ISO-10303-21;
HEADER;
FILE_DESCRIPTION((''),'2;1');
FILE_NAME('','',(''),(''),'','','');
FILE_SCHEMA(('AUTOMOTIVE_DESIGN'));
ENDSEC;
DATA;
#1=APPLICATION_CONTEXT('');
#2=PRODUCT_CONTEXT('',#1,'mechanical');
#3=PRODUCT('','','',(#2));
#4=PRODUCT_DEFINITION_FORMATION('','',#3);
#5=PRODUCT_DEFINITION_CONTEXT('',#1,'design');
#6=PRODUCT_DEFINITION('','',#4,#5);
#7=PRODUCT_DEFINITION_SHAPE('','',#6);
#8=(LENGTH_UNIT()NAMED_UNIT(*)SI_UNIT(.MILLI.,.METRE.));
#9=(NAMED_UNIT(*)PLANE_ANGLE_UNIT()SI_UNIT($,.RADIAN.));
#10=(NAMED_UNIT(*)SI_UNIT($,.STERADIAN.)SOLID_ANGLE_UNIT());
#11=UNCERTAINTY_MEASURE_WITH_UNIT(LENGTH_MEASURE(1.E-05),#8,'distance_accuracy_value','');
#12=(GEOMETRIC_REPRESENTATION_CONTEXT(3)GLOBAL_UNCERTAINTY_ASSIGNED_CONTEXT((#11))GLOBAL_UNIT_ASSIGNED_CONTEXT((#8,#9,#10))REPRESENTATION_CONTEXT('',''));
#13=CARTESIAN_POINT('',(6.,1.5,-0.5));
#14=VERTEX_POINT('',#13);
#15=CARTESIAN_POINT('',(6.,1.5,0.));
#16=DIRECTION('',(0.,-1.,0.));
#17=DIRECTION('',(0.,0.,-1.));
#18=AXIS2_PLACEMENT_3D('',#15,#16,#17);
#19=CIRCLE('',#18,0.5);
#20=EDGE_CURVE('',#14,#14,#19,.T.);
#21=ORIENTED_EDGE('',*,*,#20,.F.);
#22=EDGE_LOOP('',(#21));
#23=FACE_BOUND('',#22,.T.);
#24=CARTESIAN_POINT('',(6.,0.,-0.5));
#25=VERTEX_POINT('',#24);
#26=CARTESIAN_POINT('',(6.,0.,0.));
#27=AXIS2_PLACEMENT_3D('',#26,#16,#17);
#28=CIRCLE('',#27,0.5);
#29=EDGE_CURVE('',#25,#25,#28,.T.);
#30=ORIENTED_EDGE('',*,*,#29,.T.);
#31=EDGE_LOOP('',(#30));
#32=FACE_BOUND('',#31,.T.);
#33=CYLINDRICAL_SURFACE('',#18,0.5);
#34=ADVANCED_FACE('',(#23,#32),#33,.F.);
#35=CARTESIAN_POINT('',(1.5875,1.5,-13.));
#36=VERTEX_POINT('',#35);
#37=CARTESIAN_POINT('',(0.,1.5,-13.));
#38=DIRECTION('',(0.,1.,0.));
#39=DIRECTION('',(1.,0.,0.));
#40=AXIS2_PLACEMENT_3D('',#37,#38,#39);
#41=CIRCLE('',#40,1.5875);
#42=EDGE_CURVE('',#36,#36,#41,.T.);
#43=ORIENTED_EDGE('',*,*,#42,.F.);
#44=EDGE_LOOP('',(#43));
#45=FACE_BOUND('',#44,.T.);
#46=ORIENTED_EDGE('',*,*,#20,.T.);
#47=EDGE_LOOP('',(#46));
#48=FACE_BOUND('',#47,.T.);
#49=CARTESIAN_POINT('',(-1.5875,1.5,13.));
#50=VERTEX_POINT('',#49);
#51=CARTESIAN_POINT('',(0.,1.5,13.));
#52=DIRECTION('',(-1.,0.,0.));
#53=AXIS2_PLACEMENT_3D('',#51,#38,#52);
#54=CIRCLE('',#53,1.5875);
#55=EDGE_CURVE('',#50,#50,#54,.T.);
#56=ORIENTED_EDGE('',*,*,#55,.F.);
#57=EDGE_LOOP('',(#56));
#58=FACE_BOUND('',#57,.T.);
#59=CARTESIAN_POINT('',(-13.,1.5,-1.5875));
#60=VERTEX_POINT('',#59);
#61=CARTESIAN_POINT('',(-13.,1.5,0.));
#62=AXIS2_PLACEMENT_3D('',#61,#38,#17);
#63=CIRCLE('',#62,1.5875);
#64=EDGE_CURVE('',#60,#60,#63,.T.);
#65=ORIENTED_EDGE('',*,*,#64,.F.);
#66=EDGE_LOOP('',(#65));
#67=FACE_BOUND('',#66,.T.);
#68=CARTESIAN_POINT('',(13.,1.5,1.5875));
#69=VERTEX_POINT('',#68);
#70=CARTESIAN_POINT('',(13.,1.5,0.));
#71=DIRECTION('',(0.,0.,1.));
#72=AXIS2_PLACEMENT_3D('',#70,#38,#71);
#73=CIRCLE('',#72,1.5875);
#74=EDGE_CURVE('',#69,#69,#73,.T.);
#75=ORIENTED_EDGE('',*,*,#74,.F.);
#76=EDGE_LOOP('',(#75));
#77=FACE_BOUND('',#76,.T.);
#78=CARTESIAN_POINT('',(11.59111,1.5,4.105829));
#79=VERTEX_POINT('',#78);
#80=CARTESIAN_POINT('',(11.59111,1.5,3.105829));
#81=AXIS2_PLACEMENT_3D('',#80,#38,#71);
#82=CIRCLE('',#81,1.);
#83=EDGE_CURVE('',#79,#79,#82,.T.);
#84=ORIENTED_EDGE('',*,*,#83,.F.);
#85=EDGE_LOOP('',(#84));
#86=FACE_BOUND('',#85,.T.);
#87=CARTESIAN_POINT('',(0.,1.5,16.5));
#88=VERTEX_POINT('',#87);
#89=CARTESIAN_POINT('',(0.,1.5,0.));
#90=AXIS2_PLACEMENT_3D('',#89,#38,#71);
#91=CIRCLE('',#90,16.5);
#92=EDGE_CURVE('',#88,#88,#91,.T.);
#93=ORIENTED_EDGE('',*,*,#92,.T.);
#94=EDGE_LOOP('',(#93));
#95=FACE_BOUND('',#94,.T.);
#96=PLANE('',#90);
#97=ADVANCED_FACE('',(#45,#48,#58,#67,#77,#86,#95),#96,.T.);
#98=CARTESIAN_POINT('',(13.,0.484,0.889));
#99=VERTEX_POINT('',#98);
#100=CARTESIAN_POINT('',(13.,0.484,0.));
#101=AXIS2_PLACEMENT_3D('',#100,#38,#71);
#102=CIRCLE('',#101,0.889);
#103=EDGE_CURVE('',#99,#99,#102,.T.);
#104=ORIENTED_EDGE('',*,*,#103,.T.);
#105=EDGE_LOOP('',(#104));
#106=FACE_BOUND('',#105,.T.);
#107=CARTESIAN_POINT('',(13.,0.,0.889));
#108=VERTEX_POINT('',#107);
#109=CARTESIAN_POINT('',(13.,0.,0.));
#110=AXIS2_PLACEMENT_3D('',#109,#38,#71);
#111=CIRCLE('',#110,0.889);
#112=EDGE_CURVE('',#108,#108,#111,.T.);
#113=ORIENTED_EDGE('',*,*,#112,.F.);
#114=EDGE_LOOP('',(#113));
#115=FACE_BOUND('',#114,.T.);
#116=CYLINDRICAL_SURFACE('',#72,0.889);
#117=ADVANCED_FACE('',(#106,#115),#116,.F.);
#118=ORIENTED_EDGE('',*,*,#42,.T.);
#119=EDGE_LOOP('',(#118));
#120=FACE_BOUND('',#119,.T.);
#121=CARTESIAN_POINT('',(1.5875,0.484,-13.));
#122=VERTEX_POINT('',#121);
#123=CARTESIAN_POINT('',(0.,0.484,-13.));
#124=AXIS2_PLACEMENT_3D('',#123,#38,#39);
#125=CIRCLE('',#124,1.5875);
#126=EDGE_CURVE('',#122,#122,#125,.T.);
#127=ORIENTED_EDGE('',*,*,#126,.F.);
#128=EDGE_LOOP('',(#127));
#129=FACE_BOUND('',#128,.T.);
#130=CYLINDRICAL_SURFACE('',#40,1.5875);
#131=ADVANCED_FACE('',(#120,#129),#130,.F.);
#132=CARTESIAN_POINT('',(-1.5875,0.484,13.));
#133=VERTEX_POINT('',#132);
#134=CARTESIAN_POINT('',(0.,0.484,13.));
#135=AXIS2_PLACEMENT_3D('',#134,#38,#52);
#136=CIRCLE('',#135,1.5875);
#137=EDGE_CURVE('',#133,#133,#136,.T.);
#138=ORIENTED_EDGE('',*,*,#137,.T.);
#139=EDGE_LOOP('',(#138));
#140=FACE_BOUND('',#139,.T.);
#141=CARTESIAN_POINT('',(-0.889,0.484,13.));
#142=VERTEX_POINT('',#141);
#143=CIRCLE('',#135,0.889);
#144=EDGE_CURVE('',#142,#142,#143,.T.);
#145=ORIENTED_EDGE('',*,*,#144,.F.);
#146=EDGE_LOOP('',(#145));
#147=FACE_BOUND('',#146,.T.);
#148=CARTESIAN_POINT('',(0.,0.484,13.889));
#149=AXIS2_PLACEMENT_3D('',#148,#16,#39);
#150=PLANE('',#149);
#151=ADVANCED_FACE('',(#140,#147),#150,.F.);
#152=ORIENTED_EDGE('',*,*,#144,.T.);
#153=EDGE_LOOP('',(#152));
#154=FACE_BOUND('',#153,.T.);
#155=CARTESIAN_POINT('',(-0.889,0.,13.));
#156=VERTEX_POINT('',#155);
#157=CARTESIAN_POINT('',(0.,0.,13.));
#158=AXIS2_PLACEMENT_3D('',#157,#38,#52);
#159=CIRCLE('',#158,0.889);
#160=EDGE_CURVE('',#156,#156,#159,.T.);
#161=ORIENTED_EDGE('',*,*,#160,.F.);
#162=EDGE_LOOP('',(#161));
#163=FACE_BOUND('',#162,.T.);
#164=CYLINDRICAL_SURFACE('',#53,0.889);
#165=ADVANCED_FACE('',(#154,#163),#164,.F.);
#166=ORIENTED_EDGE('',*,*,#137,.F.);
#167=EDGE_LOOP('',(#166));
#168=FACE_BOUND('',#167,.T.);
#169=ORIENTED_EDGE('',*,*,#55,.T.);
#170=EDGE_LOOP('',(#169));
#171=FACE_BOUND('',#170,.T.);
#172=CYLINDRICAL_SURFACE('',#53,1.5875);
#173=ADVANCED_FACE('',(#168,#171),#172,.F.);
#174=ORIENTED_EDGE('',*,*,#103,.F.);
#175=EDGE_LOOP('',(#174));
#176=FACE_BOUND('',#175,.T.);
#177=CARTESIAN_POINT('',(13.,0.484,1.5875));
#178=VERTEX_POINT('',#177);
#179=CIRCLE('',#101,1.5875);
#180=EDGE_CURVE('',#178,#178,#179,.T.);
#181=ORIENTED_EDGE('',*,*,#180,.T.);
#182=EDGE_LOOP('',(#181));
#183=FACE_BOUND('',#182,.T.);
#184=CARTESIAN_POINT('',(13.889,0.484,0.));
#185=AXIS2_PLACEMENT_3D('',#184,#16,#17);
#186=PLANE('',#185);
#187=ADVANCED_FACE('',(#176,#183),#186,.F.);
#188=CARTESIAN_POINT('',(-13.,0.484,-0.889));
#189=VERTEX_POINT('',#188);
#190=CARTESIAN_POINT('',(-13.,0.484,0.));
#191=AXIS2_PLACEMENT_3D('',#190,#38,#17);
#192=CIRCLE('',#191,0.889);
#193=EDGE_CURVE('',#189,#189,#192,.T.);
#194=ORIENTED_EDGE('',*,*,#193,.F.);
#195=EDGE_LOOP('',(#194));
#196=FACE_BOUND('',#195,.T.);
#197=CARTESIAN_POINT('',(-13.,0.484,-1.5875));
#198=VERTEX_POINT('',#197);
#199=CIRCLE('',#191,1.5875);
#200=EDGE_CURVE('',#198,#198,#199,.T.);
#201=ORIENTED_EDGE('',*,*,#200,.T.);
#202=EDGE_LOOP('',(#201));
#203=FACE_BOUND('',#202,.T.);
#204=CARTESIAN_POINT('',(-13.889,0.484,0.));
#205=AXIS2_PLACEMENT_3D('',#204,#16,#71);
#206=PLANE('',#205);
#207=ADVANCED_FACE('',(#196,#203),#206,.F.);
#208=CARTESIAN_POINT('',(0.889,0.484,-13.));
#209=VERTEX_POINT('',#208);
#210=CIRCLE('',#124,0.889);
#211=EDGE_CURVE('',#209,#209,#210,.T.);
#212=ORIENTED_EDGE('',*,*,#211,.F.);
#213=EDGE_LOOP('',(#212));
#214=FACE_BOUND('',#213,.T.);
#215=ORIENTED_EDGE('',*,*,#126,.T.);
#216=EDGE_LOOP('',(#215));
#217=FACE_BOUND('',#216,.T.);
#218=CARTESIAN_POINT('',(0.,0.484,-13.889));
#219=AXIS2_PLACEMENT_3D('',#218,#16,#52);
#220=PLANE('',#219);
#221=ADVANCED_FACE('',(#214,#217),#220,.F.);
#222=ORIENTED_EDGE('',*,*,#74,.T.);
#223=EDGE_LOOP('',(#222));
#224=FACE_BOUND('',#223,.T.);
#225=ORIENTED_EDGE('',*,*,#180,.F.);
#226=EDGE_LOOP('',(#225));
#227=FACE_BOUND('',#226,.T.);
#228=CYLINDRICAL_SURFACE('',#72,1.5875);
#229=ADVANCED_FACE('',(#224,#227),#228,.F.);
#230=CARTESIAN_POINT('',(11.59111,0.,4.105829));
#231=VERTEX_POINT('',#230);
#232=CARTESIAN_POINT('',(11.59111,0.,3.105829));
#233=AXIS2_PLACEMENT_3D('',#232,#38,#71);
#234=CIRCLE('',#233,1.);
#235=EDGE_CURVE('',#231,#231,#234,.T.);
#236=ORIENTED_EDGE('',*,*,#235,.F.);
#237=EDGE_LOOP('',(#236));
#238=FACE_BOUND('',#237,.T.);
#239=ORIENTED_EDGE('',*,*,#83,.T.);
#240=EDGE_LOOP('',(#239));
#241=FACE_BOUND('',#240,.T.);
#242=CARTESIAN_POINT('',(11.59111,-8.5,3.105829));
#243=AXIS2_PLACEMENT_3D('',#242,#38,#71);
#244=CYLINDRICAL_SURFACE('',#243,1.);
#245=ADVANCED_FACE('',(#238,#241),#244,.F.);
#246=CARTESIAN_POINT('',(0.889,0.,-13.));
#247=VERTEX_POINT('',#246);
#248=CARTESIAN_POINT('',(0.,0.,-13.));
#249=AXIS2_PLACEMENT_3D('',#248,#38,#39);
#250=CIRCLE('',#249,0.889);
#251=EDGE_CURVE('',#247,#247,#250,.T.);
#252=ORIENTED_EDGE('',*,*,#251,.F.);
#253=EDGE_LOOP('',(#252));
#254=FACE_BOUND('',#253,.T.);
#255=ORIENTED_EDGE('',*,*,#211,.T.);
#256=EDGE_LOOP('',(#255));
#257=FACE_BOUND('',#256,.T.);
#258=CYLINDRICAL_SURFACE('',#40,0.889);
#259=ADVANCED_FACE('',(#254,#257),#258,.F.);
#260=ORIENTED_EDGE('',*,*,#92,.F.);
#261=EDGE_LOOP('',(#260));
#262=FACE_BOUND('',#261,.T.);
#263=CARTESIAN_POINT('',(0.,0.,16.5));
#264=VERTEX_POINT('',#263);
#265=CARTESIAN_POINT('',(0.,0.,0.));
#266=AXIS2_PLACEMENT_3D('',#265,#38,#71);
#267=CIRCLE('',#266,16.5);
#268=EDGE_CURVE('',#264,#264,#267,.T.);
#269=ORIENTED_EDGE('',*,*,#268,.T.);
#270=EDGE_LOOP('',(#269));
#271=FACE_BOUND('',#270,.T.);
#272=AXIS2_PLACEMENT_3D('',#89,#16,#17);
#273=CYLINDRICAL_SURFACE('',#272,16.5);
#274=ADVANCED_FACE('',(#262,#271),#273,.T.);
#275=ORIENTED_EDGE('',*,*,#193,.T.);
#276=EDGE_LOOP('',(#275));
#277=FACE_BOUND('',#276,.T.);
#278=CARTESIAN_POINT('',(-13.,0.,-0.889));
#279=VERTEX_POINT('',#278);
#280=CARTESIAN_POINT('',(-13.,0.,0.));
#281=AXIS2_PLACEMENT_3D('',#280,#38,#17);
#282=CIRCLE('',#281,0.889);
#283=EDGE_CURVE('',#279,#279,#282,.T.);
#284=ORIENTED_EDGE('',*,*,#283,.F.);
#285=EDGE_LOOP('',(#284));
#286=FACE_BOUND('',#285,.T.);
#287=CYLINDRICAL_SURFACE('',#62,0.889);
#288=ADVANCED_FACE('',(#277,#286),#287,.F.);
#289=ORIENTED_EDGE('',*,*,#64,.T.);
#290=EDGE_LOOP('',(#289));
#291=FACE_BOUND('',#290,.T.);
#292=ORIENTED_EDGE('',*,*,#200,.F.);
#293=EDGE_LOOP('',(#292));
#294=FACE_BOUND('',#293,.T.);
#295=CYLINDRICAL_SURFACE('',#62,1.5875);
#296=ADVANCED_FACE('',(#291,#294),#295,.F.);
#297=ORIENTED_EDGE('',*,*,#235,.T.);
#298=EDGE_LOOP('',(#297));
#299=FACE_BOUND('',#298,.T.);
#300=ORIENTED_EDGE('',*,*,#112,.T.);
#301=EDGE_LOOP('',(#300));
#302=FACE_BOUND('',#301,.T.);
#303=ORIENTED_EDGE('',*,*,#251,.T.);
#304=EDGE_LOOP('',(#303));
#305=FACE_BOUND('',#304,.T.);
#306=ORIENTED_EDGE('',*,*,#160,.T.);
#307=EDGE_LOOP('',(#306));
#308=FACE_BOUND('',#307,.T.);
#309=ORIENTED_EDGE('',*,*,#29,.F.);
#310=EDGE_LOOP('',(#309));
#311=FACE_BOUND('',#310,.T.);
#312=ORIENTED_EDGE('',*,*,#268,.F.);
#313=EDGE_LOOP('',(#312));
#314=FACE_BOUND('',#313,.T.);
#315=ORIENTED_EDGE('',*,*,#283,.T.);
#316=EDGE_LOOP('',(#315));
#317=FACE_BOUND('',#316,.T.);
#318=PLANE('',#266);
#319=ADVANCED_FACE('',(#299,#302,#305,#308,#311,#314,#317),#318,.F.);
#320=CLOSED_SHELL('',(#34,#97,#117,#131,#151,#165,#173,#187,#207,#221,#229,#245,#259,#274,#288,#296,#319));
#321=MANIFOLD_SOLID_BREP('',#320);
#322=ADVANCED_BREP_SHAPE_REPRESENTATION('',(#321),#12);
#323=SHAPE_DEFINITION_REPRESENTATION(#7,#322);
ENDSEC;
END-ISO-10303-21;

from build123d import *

# Parameters (mm, degrees)
SKETCH1_R                                      = 16.5
BOSS_EXTRUDE1_DEPTH                            = 1.5
CBORE_FOR_0_SOCKET_HEAD_CAP_SCREW1_D           = 1.778
CBORE_FOR_0_SOCKET_HEAD_CAP_SCREW1_CBORE_D     = 3.175
CBORE_FOR_0_SOCKET_HEAD_CAP_SCREW1_CBORE_DEPTH = 1.016
CIRPATTERN1_COUNT                              = 4
SKETCH8_R                                      = 0.5
CUT_EXTRUDE1_DEPTH                             = 1.5
SKETCH9_R                                      = 1
CUT_EXTRUDE2_DEPTH                             = 10


with BuildPart() as part:
    # Sketch1 → Boss-Extrude1 (new body)
    with BuildSketch(Plane(origin=(0, 0, 0), x_dir=(1, 0, 0), z_dir=(0, 1, 0))):
        with Locations(Location((0, 0, 0), (0, 0, 270))):
            Circle(SKETCH1_R)
    extrude(amount=BOSS_EXTRUDE1_DEPTH)

    # CBORE for #0 Socket Head Cap Screw1 (through all)
    with Locations(Plane(origin=(0, 1.5, 0), x_dir=(1, 0, 0), z_dir=(0, 1, 0))):
        with Locations((13, 0)):
            cbore_for_0_socket_head_cap_screw1 = CounterBoreHole(CBORE_FOR_0_SOCKET_HEAD_CAP_SCREW1_D / 2, CBORE_FOR_0_SOCKET_HEAD_CAP_SCREW1_CBORE_D / 2, CBORE_FOR_0_SOCKET_HEAD_CAP_SCREW1_CBORE_DEPTH)

    # CirPattern1: CBORE for #0 Socket Head Cap Screw1 ×4 about axis
    cirpattern1_axis = Axis((0, 0, 0), (0, 1, 0))
    for i in range(1, CIRPATTERN1_COUNT):
        add(cbore_for_0_socket_head_cap_screw1.rotate(cirpattern1_axis, i * 360 / CIRPATTERN1_COUNT), mode=Mode.SUBTRACT)

    # Sketch8 → Cut-Extrude1 (cut)
    with BuildSketch(Plane.XZ):
        with Locations(Location((6, 0, 0), (0, 0, 270))):
            Circle(SKETCH8_R)
    extrude(amount=-CUT_EXTRUDE1_DEPTH, mode=Mode.SUBTRACT)

    # Sketch9 → Cut-Extrude2 (cut)
    with BuildSketch(Plane(origin=(0, 1.5, 0), x_dir=(1, 0, 0), z_dir=(0, 1, 0))):
        with Locations(Location((11.591109915, -3.105828541, 0), (0, 0, 270))):
            Circle(SKETCH9_R)
    extrude(amount=-CUT_EXTRUDE2_DEPTH, mode=Mode.SUBTRACT)


solid = part.part
